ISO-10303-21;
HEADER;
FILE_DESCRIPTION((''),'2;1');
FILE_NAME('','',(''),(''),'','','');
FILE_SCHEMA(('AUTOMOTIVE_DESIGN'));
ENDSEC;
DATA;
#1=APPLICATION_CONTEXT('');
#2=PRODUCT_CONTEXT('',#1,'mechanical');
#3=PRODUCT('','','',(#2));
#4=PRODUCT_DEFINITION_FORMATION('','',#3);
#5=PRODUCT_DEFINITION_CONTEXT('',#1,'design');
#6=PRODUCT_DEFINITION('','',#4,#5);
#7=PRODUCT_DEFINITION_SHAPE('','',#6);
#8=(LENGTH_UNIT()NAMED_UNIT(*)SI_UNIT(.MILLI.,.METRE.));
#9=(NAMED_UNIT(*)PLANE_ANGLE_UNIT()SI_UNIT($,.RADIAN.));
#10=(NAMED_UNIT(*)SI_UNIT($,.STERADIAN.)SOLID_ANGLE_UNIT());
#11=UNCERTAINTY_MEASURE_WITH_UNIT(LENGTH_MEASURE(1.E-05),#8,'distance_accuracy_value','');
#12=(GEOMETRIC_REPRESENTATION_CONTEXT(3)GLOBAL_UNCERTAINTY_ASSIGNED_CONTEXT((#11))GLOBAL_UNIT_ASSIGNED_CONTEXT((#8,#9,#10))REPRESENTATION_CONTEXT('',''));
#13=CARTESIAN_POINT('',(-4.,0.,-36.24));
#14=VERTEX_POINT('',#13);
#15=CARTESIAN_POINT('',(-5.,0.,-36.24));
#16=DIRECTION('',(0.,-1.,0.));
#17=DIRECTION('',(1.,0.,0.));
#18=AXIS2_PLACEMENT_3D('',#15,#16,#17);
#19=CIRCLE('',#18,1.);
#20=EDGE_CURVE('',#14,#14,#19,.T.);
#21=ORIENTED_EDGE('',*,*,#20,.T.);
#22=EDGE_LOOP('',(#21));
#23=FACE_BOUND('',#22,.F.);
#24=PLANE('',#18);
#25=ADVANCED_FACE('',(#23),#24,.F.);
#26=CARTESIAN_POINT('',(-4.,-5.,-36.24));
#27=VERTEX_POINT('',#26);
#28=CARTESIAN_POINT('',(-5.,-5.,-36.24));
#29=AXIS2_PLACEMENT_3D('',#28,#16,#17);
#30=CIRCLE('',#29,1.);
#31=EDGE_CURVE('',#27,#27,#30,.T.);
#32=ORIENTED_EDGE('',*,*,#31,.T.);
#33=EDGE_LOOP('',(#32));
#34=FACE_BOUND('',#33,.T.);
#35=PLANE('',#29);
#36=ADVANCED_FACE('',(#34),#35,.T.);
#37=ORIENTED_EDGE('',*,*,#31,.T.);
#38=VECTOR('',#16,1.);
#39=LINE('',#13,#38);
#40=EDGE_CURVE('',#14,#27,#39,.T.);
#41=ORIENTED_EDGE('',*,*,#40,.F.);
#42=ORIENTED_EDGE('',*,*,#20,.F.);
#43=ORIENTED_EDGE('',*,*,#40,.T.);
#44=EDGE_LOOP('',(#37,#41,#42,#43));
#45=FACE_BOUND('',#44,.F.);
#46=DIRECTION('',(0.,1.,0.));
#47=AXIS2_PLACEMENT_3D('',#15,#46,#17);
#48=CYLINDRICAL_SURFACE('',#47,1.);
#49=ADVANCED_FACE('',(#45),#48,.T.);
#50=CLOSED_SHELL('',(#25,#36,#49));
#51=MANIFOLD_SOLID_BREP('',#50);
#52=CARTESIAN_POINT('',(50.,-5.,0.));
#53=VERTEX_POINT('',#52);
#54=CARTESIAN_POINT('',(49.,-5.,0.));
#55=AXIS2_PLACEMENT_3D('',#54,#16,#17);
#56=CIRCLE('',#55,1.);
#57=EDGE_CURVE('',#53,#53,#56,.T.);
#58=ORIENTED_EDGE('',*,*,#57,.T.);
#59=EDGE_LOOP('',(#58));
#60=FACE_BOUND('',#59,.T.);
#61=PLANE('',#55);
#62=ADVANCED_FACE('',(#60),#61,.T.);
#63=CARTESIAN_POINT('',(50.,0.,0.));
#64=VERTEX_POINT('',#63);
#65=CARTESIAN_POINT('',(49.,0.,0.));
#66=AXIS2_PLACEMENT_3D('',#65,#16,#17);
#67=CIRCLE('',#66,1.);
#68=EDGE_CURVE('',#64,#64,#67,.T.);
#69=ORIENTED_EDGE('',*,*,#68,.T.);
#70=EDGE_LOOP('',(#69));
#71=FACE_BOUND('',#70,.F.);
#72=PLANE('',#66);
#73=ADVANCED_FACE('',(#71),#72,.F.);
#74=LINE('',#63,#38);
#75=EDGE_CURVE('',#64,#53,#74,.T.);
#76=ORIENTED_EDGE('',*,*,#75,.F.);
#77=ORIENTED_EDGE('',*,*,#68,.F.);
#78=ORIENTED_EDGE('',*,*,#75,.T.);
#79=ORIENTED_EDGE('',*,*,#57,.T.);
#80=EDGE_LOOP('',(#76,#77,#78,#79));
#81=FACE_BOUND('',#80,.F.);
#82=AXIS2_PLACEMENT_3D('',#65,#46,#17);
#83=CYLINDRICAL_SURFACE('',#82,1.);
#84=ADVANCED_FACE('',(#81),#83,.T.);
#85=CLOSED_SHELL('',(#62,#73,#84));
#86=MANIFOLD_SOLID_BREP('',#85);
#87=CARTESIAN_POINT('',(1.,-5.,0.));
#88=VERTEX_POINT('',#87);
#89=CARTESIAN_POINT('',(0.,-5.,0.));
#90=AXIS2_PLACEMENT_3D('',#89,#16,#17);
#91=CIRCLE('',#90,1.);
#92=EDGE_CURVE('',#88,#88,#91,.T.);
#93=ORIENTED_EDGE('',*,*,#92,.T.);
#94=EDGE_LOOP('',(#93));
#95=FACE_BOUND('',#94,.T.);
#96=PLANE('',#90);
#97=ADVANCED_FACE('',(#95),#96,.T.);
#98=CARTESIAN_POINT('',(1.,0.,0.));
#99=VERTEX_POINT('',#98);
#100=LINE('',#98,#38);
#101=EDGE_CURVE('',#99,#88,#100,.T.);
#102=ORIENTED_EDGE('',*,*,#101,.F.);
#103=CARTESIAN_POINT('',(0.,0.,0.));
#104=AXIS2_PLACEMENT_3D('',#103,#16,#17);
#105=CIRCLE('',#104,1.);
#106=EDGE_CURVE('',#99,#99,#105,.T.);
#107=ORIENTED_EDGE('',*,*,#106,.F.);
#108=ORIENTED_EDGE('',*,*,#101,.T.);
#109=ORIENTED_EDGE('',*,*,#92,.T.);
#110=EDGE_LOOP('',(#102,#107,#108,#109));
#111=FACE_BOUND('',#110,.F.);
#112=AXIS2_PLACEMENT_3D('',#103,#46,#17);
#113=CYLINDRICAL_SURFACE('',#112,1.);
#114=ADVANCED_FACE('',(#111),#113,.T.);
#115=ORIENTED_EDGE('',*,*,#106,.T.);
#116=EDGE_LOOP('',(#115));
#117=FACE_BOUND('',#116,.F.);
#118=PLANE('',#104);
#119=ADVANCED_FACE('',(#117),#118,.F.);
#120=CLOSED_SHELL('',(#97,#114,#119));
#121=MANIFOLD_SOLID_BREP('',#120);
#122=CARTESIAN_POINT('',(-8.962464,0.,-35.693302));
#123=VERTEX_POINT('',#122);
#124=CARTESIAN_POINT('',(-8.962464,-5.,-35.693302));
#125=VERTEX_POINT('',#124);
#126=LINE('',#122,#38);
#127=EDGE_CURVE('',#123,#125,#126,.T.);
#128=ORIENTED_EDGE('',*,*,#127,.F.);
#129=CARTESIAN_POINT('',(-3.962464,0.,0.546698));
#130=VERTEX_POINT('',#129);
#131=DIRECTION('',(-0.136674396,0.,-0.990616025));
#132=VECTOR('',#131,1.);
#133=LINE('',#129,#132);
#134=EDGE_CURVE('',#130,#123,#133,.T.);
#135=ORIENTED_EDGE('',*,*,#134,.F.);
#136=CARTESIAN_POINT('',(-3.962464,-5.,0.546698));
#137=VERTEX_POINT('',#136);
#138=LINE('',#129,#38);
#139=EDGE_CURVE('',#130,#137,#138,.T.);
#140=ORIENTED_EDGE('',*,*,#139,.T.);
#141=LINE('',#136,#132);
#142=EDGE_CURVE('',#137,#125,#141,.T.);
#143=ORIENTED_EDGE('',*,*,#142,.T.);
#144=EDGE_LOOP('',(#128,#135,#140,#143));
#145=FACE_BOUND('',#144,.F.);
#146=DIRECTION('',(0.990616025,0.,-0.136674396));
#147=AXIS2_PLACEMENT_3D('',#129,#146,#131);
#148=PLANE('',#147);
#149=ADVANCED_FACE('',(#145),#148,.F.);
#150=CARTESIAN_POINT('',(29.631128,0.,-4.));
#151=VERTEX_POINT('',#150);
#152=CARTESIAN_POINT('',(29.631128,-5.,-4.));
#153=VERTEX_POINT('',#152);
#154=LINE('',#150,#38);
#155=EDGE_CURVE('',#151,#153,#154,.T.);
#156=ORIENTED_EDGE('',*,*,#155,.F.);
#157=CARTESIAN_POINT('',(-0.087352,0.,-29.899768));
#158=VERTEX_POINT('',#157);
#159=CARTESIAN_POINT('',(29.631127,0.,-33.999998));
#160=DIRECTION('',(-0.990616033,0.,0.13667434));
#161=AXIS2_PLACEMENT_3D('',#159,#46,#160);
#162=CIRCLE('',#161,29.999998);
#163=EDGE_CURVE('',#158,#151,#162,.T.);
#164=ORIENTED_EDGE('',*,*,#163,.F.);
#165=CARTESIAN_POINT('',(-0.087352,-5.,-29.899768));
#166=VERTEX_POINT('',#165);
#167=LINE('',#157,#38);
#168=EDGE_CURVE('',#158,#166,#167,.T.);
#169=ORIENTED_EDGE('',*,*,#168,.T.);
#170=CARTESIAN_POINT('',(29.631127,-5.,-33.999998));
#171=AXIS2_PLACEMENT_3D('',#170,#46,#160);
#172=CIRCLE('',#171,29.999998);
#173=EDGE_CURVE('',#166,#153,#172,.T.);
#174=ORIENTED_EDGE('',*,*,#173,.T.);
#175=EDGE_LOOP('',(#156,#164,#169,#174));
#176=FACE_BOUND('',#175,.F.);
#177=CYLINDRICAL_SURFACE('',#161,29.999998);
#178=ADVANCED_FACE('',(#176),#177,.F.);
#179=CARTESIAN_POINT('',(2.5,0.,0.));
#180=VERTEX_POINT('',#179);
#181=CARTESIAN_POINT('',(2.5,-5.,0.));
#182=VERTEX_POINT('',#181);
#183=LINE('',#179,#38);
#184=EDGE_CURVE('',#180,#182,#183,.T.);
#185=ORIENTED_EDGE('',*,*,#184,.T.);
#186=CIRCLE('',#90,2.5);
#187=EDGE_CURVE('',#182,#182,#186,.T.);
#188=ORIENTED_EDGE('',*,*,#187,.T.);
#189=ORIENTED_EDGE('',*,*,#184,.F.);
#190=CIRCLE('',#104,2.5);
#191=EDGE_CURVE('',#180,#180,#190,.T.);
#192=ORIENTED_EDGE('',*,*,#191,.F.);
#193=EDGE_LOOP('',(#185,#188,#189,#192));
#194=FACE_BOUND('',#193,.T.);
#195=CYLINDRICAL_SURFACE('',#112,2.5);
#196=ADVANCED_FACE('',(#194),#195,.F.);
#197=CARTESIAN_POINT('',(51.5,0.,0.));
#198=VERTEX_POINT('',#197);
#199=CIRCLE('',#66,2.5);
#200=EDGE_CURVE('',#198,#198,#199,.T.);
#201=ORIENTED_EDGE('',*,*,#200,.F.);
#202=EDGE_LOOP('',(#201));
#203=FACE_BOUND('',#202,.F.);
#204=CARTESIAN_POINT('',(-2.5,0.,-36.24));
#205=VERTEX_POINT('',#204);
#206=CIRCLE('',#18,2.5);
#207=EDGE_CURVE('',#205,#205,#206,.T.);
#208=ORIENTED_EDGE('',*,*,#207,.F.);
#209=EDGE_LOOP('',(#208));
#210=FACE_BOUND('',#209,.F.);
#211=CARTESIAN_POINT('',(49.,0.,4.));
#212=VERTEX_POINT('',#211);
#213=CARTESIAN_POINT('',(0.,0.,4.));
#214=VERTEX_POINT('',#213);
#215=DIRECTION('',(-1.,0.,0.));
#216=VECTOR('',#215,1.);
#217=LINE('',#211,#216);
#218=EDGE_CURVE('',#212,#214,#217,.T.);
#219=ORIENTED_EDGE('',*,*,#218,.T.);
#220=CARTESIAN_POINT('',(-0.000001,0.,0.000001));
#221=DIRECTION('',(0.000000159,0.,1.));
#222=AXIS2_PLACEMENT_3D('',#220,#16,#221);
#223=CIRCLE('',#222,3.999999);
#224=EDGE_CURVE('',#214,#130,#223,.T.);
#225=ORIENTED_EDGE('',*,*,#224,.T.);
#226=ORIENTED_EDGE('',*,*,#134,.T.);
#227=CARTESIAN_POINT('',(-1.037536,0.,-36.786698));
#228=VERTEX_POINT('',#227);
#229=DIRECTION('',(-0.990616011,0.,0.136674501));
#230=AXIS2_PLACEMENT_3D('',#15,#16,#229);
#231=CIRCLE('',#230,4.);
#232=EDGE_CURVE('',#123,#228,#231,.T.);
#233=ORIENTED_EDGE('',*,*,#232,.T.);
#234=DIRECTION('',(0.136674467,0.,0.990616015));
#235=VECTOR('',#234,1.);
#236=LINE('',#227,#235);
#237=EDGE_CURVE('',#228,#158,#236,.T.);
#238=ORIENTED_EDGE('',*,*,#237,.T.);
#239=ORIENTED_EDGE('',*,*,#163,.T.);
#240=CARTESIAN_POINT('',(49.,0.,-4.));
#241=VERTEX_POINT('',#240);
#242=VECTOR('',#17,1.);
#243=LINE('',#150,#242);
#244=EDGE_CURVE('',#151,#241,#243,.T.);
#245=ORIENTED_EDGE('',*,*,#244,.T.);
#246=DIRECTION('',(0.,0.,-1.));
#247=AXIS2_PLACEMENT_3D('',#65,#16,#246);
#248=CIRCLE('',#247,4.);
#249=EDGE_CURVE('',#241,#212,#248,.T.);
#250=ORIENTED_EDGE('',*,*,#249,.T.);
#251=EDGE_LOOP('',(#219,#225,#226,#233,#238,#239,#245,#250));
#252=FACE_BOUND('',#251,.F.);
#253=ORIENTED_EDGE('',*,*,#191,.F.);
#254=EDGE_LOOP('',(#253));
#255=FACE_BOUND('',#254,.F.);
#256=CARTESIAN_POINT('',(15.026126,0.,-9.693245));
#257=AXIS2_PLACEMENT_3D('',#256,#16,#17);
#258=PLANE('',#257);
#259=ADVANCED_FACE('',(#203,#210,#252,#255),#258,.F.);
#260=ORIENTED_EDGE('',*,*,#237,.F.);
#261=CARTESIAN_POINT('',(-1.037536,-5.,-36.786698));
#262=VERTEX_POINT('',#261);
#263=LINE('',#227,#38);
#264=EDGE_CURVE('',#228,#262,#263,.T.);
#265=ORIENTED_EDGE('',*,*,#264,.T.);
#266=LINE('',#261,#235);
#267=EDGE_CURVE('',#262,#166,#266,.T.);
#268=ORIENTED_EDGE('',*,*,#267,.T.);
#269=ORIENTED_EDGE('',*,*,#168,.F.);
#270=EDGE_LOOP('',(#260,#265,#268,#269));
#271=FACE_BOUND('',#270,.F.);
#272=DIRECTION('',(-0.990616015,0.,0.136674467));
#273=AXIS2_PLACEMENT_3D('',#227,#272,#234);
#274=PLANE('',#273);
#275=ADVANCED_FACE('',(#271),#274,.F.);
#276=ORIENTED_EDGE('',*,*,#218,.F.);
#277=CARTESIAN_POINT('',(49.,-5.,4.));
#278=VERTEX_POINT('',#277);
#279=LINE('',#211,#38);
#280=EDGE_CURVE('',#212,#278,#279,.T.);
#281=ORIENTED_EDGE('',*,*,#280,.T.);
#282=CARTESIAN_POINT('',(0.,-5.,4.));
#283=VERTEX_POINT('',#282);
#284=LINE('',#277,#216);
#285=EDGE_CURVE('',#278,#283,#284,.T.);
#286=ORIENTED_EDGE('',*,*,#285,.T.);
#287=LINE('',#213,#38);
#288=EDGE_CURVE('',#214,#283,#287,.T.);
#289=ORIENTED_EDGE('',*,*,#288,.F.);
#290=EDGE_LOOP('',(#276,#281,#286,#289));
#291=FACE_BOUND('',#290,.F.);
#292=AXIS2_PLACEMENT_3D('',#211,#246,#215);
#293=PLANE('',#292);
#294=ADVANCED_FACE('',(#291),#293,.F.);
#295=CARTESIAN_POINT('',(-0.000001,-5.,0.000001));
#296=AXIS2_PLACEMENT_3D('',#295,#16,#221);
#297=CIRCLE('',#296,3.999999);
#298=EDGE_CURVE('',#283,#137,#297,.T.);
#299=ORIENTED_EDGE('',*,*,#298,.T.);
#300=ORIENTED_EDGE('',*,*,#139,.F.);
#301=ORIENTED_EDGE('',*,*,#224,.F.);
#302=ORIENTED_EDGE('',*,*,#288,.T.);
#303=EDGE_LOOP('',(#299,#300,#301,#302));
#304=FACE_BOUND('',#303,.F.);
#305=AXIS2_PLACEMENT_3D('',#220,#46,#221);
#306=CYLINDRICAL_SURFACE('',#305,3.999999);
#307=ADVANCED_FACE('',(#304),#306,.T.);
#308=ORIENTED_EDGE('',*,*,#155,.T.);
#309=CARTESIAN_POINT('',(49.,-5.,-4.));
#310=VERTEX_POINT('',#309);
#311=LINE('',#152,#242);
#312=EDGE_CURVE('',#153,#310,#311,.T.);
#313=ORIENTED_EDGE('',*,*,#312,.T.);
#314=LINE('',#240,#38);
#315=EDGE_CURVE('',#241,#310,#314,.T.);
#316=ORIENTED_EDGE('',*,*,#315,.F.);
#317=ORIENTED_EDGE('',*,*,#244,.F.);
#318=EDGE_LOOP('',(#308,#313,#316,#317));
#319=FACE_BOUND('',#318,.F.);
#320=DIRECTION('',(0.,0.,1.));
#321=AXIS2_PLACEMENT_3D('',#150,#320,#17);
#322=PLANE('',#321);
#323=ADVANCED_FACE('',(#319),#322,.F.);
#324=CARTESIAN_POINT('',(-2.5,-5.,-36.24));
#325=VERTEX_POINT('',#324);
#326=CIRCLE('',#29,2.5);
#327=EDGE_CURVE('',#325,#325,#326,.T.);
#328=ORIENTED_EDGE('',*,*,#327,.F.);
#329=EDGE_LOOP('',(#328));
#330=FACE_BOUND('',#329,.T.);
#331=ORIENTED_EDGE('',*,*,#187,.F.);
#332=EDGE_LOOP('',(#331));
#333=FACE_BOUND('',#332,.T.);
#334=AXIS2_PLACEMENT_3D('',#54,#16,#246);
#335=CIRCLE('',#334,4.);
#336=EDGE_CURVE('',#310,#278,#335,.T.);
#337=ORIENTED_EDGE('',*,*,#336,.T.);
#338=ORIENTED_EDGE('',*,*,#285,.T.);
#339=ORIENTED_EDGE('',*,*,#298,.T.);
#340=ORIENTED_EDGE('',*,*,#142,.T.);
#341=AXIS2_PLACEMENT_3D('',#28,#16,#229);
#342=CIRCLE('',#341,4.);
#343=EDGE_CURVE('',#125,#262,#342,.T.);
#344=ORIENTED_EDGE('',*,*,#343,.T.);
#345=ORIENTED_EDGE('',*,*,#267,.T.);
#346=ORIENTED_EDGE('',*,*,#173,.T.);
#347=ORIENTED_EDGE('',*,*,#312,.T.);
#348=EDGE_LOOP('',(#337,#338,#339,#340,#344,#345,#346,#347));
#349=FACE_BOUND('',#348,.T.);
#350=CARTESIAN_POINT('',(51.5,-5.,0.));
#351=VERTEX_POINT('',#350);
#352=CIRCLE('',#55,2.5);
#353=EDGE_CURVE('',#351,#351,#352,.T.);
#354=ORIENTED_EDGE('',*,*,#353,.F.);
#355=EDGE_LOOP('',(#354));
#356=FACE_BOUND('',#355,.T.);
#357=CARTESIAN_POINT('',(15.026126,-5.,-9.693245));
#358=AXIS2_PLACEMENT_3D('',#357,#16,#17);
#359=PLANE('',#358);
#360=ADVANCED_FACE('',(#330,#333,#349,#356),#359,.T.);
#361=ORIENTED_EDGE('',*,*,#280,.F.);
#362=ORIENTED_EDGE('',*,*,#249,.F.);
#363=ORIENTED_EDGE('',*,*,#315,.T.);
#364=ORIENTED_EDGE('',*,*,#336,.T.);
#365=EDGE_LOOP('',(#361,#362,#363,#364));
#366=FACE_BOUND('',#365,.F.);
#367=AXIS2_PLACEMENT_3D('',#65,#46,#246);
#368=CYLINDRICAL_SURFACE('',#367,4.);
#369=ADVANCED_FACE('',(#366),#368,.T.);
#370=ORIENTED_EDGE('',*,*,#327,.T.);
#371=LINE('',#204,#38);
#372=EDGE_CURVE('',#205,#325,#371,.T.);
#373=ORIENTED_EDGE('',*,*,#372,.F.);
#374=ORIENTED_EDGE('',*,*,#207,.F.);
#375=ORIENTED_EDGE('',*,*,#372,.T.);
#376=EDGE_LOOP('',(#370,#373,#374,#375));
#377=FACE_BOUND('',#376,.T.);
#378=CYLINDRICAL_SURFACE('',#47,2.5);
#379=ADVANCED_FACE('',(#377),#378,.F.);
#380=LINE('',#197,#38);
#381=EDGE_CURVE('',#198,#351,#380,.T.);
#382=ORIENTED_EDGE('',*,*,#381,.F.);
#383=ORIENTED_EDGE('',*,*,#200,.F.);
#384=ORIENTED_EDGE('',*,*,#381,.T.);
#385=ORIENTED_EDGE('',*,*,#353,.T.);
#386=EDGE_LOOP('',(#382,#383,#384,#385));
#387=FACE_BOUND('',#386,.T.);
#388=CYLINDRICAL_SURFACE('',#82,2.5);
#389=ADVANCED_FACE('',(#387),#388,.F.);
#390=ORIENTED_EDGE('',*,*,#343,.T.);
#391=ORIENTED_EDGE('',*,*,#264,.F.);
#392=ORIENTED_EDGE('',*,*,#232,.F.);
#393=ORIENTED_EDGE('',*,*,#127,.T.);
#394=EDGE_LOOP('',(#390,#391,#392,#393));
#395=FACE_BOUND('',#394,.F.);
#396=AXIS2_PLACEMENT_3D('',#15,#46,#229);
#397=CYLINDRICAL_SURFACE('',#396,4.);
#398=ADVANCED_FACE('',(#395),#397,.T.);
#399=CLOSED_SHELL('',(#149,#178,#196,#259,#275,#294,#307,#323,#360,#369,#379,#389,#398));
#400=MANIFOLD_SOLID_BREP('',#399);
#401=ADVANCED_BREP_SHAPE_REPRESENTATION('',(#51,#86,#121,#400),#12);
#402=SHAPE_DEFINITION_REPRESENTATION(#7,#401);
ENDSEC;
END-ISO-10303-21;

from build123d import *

# Parameters (mm, degrees)
F0_R     = 2.5
F0_R_2   = 1
F1_DEPTH = 5


with BuildPart() as f1:
    # F0 (on Front) → F1 (new body)
    with BuildSketch(Plane.XZ):
        with BuildLine():
            Line((49, 4), (0, 4))
            ThreePointArc((0, 4), (-2.628042, 3.015526), (-3.962464, 0.546698))
            Line((-3.962464, 0.546698), (-8.962464, -35.693302))
            ThreePointArc((-8.962464, -35.693302), (-5.546698, -40.202464), (-1.037536, -36.786698))
            Line((-1.037536, -36.786698), (-0.087352, -29.899768))
            ThreePointArc((-0.087352, -29.899768), (9.920813, -11.383557), (29.631128, -4))
            Line((29.631128, -4), (49, -4))
            ThreePointArc((49, -4), (53, 0), (49, 4))
        make_face()
        with Locations((-5, -36.24)):
            Circle(F0_R, mode=Mode.SUBTRACT)
        Circle(F0_R, mode=Mode.SUBTRACT)
        with Locations((49, 0)):
            Circle(F0_R, mode=Mode.SUBTRACT)
        Circle(F0_R_2)
        with Locations((-5, -36.24)):
            Circle(F0_R_2)
        with Locations((49, 0)):
            Circle(F0_R_2)
    extrude(amount=F1_DEPTH)


solid = f1.part
